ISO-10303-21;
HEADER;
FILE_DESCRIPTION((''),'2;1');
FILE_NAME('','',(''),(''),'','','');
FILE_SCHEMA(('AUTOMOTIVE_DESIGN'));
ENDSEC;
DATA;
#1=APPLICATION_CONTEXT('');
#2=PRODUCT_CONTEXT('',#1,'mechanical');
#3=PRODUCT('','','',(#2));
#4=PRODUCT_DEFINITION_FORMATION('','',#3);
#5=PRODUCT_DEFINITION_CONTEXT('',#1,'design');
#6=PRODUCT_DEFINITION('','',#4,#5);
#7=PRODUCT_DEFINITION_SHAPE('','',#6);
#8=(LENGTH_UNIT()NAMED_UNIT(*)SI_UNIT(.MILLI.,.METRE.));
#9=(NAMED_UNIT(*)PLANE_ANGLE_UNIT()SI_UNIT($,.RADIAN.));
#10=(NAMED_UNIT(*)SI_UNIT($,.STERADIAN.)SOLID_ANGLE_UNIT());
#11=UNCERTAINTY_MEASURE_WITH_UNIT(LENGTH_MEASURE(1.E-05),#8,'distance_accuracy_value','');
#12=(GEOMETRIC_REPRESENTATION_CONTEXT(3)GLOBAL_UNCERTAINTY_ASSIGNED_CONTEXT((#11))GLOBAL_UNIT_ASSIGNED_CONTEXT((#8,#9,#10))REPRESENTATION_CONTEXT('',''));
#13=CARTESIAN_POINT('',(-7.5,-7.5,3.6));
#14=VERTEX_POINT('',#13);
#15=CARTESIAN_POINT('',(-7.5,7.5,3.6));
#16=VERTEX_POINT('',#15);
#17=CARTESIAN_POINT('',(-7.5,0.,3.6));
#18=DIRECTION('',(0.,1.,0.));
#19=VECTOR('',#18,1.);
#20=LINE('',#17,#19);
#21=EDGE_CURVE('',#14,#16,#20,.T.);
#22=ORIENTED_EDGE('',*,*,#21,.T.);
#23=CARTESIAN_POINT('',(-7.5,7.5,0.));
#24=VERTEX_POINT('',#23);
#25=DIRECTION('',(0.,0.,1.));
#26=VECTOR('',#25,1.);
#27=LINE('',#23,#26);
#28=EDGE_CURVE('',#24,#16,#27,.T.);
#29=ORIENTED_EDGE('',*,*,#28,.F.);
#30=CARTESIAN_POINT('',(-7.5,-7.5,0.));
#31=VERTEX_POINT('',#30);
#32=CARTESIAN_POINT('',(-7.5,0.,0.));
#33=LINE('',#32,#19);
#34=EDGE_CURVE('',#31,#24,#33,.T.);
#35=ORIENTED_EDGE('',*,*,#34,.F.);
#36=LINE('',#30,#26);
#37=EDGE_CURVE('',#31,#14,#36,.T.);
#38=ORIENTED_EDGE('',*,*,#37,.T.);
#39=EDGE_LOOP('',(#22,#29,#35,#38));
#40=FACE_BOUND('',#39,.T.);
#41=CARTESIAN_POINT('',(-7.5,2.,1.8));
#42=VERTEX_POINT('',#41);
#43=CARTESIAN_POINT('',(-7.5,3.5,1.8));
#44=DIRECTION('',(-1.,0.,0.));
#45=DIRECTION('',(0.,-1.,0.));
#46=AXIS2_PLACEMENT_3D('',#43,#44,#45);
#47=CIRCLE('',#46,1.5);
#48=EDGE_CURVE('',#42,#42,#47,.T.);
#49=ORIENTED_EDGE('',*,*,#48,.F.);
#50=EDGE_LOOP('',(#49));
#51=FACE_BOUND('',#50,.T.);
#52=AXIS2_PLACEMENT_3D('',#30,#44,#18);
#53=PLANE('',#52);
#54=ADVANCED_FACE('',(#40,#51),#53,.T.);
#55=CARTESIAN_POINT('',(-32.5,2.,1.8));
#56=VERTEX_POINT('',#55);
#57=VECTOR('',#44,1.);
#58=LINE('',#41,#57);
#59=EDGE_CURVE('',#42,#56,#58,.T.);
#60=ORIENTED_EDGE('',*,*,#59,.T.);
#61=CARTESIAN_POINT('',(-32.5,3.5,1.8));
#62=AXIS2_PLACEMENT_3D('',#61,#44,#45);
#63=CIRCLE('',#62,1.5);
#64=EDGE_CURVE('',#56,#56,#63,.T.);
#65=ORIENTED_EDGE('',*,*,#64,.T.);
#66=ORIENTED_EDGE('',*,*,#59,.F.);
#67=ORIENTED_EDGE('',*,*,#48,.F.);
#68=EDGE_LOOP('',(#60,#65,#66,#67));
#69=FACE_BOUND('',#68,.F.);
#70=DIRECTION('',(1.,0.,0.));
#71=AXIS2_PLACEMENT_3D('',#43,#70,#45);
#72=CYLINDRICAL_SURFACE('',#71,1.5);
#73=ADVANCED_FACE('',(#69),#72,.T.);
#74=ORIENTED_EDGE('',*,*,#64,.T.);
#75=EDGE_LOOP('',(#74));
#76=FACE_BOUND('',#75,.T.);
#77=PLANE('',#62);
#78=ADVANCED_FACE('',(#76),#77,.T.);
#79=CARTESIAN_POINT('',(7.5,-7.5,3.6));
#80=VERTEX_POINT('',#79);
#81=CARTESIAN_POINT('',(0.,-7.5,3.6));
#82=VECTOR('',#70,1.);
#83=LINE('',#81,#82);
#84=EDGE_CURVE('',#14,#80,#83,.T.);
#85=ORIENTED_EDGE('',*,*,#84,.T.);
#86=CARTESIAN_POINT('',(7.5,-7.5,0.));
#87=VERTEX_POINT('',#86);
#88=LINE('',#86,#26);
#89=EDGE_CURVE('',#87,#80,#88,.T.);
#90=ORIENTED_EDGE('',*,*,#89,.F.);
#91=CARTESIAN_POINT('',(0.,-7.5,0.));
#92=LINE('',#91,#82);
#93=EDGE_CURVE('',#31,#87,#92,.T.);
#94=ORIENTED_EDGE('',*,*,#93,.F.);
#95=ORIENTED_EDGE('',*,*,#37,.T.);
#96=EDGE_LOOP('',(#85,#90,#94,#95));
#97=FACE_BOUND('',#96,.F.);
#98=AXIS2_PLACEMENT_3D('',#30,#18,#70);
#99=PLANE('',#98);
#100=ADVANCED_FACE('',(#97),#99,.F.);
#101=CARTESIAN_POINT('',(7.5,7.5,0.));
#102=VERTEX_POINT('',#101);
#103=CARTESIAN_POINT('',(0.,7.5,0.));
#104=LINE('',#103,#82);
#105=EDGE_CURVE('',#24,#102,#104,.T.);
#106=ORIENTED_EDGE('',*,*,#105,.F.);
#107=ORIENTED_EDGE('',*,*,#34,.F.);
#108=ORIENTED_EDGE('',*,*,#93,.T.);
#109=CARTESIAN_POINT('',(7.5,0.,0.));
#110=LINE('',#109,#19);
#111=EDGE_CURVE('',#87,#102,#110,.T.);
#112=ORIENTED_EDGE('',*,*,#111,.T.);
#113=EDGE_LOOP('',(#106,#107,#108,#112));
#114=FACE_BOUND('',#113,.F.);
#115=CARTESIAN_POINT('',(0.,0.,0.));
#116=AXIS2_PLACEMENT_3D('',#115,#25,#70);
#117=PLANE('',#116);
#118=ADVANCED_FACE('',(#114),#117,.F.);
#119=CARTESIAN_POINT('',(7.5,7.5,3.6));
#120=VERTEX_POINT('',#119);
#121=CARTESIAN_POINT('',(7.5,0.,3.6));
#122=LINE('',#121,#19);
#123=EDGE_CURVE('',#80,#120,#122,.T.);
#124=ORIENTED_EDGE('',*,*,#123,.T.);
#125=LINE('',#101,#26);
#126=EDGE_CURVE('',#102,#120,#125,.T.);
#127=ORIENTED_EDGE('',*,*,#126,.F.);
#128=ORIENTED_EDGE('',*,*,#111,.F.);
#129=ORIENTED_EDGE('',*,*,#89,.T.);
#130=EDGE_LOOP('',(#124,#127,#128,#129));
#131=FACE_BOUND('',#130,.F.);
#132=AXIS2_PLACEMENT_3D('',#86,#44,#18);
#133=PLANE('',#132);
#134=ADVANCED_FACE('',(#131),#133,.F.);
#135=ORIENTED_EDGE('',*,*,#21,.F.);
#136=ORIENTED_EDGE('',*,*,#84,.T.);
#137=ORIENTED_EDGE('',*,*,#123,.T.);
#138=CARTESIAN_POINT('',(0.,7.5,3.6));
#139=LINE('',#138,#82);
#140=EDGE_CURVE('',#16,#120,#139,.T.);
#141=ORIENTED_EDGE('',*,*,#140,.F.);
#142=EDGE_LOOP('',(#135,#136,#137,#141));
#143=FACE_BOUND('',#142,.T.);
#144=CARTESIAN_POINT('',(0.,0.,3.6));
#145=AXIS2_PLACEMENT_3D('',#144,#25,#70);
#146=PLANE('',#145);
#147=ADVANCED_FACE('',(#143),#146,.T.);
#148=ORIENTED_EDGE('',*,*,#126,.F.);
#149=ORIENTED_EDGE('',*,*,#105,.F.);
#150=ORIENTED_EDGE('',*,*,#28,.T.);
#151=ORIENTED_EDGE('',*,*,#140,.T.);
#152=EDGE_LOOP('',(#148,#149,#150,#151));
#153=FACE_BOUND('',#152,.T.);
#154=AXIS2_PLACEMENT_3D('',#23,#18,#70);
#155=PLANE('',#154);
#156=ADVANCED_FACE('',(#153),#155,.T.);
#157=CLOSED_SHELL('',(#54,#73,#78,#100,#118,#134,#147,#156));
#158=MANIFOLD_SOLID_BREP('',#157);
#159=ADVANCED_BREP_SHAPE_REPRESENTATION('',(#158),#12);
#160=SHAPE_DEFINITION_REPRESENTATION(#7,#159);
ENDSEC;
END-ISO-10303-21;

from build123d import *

# Parameters (mm, degrees)
F0_W     = 15
F0_H     = 15
F1_DEPTH = 3.6
F2_R     = 1.5
F3_DEPTH = 25


with BuildPart() as f1:
    # F0 (on Top) → F1 (new body)
    with BuildSketch(Plane.XY):
        Rectangle(F0_W, F0_H)
    extrude(amount=F1_DEPTH)

    # F2 (on face) → F3 (join)
    with BuildSketch(Plane(origin=(-7.5, 0, 0), x_dir=(0, -1, 0), z_dir=(-1, 0, 0))):
        with Locations((-3.5, 1.8)):
            Circle(F2_R)
    extrude(amount=F3_DEPTH)


solid = f1.part
